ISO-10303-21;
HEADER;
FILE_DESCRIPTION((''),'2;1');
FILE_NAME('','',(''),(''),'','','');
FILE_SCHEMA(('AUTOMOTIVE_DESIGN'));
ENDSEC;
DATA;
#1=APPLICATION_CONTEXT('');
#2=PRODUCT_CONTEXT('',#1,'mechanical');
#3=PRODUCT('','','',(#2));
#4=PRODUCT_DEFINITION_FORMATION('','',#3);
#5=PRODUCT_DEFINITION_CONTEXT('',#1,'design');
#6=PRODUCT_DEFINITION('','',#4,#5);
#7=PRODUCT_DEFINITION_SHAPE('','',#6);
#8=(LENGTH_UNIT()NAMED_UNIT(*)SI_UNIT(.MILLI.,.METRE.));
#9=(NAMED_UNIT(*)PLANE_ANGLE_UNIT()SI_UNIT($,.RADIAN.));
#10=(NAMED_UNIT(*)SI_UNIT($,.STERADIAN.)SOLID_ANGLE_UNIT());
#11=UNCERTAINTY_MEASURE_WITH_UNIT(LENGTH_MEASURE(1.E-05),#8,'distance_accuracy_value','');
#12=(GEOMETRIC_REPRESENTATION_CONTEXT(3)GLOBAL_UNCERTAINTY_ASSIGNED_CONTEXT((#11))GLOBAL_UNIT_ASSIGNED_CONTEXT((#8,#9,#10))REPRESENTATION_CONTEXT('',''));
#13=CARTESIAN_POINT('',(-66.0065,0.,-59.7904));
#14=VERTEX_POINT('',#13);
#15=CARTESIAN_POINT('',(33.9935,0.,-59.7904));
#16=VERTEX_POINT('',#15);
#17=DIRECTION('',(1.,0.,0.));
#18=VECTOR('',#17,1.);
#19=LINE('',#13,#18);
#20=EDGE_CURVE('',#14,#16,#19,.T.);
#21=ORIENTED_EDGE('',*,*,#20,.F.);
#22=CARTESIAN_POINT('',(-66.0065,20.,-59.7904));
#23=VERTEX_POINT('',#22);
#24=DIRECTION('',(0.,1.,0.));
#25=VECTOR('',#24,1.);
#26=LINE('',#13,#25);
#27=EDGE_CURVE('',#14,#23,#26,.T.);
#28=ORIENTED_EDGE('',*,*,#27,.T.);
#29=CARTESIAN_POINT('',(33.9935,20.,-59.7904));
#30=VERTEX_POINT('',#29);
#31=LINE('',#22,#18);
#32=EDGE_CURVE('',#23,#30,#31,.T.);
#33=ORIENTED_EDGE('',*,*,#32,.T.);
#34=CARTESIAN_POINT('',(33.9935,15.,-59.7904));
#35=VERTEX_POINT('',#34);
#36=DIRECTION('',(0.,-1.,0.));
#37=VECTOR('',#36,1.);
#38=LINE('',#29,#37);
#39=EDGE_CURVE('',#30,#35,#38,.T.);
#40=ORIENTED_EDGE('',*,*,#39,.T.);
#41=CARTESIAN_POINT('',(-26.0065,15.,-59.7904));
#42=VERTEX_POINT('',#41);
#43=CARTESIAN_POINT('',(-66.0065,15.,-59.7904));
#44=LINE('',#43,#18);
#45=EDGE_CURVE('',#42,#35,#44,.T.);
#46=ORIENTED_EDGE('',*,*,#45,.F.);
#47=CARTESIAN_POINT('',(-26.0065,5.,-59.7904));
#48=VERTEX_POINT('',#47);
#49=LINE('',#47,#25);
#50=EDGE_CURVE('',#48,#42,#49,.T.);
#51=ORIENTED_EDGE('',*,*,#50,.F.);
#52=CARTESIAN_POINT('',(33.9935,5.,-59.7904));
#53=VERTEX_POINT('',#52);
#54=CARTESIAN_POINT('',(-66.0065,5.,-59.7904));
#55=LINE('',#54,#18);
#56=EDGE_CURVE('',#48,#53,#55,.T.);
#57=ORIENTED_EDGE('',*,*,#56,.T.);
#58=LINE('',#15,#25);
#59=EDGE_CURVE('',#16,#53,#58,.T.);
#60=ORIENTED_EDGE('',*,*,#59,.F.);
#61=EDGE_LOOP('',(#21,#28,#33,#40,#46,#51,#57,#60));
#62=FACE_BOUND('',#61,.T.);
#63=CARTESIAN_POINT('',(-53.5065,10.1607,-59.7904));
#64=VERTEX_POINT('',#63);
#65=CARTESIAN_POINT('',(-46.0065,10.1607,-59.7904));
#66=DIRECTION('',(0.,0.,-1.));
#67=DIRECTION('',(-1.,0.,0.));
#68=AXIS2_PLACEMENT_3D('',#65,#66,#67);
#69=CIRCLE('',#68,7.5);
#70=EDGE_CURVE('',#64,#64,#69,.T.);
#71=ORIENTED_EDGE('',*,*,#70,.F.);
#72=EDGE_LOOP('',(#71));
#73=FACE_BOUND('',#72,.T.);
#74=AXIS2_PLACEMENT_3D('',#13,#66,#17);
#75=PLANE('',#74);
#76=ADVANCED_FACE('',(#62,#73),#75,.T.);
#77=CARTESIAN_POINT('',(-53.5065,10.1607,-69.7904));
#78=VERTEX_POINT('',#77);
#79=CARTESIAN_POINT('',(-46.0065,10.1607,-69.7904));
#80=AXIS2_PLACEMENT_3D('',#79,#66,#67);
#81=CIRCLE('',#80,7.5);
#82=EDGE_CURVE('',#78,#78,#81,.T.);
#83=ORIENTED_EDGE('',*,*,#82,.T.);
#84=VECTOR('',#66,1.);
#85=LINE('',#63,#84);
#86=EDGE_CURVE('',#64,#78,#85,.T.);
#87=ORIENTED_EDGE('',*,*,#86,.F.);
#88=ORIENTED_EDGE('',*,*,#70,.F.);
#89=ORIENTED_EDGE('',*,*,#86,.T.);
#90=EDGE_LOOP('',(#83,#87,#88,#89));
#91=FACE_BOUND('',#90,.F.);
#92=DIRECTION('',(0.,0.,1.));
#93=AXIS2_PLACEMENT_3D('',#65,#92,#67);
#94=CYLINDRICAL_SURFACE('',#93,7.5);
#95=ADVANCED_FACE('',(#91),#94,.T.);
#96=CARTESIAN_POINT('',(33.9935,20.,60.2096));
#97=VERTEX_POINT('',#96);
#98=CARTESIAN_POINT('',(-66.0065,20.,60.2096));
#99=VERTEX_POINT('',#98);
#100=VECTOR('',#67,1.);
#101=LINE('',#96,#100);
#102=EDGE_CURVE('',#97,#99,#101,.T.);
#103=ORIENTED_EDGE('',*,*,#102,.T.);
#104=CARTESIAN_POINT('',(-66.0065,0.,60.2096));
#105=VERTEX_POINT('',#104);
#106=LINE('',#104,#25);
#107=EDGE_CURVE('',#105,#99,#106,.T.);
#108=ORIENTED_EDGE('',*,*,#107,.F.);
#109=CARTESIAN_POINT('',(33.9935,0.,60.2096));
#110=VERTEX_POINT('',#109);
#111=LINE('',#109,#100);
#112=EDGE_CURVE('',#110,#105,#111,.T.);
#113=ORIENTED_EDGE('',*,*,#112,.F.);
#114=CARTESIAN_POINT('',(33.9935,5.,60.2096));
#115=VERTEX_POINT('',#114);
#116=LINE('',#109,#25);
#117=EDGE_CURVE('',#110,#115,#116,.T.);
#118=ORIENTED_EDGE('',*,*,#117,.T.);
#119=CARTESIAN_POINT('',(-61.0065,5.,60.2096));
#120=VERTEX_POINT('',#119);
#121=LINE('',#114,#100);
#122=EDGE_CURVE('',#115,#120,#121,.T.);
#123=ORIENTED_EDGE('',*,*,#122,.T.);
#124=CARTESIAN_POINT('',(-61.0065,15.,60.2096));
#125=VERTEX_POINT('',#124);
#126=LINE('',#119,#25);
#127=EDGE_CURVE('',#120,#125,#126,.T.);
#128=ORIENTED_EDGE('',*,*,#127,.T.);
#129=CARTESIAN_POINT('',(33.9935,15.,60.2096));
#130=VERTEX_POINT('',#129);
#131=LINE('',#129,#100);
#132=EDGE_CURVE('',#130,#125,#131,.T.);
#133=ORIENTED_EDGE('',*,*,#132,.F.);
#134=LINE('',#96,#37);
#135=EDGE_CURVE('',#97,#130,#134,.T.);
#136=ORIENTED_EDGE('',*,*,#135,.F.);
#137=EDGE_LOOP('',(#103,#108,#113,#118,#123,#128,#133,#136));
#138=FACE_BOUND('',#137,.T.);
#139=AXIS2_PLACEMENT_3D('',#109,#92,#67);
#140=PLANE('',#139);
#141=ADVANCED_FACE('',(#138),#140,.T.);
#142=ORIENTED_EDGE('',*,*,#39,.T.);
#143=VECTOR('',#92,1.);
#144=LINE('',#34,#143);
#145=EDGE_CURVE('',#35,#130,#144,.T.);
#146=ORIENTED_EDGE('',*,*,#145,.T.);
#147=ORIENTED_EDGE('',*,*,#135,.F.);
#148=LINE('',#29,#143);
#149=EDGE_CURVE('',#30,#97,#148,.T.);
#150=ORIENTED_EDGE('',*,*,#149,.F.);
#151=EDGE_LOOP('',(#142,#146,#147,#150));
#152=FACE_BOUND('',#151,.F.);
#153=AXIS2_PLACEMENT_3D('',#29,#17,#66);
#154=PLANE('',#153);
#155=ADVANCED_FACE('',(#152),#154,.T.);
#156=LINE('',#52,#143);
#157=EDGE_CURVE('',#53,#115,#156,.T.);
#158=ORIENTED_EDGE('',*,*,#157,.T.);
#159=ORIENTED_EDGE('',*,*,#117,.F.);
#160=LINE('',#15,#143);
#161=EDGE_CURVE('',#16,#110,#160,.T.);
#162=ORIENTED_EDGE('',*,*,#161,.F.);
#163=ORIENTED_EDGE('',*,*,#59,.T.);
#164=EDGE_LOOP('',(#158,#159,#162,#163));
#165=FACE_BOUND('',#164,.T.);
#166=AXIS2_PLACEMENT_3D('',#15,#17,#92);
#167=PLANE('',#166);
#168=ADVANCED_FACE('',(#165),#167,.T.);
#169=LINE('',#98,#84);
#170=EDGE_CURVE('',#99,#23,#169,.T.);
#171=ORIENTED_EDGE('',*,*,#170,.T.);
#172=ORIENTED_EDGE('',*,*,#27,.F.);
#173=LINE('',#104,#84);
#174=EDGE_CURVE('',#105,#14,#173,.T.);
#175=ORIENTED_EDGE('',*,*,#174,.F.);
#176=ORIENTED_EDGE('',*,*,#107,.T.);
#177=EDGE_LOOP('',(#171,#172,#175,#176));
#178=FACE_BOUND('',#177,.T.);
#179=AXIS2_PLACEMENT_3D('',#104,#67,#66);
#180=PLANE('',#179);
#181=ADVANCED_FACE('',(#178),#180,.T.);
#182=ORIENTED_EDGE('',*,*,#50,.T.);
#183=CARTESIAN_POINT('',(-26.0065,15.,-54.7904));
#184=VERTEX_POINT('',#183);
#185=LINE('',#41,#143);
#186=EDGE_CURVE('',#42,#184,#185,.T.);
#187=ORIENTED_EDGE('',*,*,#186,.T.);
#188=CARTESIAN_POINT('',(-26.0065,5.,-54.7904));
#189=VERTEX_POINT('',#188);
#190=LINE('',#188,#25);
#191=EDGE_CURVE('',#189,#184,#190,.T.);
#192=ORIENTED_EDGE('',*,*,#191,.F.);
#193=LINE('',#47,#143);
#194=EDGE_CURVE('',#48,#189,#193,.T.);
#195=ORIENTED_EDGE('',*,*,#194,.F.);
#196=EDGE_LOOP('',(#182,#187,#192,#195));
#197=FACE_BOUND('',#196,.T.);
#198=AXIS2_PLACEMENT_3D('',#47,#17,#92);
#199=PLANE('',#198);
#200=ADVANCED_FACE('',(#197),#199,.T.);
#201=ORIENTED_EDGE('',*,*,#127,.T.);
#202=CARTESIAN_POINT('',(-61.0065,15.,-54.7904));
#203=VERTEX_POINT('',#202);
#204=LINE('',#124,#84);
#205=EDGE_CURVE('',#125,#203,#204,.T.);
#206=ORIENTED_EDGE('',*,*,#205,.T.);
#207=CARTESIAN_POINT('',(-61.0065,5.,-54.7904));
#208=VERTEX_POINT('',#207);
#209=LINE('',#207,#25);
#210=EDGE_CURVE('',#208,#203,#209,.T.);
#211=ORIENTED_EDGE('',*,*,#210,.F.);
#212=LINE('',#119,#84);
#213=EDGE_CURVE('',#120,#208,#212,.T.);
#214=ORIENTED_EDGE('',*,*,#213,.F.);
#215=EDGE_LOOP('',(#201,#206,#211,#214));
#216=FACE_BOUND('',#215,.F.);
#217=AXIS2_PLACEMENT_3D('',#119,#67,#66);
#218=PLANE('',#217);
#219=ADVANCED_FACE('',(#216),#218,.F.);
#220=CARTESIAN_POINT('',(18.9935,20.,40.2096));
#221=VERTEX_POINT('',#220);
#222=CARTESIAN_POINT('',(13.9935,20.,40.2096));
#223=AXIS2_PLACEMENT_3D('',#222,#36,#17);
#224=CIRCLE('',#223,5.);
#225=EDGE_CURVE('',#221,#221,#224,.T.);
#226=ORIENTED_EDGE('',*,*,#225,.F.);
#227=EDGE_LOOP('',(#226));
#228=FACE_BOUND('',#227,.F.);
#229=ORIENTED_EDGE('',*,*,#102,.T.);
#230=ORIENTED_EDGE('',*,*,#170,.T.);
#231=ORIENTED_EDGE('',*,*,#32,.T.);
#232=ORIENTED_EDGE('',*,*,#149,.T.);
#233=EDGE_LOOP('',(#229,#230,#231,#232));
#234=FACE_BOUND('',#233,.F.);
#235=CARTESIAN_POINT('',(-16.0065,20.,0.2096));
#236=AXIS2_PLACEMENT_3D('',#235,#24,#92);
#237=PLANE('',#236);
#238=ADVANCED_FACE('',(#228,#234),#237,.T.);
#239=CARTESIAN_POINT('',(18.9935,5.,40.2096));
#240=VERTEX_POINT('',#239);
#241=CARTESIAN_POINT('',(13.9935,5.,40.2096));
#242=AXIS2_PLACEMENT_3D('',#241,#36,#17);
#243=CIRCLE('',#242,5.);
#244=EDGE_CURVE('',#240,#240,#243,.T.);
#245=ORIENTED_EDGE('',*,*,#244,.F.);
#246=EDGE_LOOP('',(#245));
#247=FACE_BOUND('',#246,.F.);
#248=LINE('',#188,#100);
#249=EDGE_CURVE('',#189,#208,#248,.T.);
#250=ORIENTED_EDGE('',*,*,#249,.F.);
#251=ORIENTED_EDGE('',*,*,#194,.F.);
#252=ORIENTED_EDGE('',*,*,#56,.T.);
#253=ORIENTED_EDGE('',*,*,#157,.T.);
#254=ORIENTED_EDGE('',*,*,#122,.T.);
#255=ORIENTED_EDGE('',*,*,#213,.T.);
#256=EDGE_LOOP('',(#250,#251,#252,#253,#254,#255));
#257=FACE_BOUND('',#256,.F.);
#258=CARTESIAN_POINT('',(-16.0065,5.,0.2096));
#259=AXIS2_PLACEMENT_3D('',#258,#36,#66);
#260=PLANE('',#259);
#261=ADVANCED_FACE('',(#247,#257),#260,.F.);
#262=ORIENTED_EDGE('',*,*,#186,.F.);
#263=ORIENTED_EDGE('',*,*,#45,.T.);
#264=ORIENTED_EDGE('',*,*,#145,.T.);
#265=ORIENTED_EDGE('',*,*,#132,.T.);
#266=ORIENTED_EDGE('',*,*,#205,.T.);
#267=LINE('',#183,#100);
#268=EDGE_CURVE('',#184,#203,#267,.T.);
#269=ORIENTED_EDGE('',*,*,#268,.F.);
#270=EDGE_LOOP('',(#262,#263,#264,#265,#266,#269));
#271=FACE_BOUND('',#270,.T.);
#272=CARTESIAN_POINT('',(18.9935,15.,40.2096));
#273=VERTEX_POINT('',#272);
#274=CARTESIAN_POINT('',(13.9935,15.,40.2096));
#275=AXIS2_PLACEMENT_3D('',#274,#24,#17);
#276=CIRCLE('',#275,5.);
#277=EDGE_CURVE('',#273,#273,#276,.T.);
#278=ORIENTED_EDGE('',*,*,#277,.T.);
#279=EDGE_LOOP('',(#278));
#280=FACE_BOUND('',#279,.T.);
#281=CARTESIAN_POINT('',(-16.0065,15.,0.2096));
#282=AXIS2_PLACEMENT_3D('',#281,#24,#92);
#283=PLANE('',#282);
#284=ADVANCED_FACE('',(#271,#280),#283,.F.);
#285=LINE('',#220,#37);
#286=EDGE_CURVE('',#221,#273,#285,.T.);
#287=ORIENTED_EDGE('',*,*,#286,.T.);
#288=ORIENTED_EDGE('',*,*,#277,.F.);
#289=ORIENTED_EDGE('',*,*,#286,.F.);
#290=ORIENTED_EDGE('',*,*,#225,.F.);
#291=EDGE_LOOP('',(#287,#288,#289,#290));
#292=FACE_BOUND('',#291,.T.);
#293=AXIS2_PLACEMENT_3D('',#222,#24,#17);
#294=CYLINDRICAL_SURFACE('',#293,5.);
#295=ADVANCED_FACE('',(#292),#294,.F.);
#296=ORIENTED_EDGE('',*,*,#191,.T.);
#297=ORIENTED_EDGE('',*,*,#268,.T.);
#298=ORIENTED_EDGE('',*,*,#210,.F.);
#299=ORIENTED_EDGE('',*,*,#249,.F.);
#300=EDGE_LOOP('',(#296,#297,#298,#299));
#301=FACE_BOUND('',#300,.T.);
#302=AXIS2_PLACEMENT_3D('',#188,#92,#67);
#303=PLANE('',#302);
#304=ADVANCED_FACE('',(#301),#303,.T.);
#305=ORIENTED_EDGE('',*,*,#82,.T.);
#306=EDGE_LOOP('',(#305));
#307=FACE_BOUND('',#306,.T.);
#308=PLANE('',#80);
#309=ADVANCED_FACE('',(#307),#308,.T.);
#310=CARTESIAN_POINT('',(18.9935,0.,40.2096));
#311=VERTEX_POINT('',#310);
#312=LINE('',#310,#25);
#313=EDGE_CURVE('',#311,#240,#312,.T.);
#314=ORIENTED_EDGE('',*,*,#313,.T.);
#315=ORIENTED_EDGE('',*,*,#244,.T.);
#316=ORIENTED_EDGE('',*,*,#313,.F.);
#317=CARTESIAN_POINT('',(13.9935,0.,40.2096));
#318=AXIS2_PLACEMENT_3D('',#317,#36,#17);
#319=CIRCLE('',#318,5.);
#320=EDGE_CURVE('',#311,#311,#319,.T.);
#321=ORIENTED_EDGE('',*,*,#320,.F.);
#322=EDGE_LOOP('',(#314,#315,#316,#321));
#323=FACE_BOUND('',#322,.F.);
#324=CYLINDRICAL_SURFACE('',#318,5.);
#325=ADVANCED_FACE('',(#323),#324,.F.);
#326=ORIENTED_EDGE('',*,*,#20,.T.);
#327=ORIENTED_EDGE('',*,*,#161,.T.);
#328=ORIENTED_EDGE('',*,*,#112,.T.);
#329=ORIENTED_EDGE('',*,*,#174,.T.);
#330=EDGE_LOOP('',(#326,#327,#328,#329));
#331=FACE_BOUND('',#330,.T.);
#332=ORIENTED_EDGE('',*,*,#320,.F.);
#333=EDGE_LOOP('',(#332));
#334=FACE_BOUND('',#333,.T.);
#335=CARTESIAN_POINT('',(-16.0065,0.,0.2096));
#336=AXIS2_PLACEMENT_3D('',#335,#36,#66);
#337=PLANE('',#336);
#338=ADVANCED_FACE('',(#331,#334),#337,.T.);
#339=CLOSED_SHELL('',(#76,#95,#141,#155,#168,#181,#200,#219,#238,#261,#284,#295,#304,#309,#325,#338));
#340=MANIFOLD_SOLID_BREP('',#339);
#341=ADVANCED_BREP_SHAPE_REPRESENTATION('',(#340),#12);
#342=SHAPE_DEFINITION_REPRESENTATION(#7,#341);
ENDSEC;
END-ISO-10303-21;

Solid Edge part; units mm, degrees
sketch "Sketch1" plane through (0, 0, 0) normal (0, -1, 0) x (1, 0, 0)
  line L0 (-66.0065, -59.7904) -> (33.9935, -59.7904)
  line L1 (33.9935, -59.7904) -> (33.9935, 60.2096)
  line L2 (33.9935, 60.2096) -> (-66.0065, 60.2096)
  line L3 (-66.0065, 60.2096) -> (-66.0065, -59.7904)
  dimension "D1" = 100
  dimension "D2" = 120
extrude "Protrusion1" add sketch "Sketch1" against normal blind 5
sketch "Sketch2" plane through (33.9935, 0, -14.7904) normal (0, -1, 0) x (1, 0, 0)
  circle A0 centre (-20, 55) radius 5
  dimension "D1" = 10
  dimension "D2" = 20
  dimension "D3" = 20
extrude "Cutout1" cut sketch "Sketch2" against normal through all
mirror "Mirror1" about plane through (33.9935, 10, -14.7904) normal (0, 1, 0) of "Protrusion1", "Cutout1"
sketch "Sketch3" plane through (33.9935, 5, -14.7904) normal (0, 1, 0) x (-1, 0, 0)
  line L0 (95, -45) -> (100, -45)
  line L1 (100, -45) -> (100, 75)
  line L2 (100, 75) -> (95, 75)
  line L3 (95, 75) -> (95, -45)
  line L4 (100, -45) -> (60, -45)
  line L5 (60, -45) -> (60, -40)
  line L6 (60, -40) -> (100, -40)
  line L7 (100, -40) -> (100, -45)
  dimension "D1" = 40
  dimension "D2" = 5
  dimension "D3" = 120
  dimension "D4" = 5
extrude "Protrusion3" add sketch "Sketch3" along normal up to surface (10 mm away)
sketch "Sketch4" plane through (33.9935, 10, -59.7904) normal (0, 0, -1) x (-1, 0, 0)
  circle A0 centre (80, 0.1607) radius 7.5
  dimension "D1" = 20
extrude "ExtrudedProtrusion_4" add sketch "Sketch4" along normal blind 10
properties material "Aluminum, 6061-T6"
